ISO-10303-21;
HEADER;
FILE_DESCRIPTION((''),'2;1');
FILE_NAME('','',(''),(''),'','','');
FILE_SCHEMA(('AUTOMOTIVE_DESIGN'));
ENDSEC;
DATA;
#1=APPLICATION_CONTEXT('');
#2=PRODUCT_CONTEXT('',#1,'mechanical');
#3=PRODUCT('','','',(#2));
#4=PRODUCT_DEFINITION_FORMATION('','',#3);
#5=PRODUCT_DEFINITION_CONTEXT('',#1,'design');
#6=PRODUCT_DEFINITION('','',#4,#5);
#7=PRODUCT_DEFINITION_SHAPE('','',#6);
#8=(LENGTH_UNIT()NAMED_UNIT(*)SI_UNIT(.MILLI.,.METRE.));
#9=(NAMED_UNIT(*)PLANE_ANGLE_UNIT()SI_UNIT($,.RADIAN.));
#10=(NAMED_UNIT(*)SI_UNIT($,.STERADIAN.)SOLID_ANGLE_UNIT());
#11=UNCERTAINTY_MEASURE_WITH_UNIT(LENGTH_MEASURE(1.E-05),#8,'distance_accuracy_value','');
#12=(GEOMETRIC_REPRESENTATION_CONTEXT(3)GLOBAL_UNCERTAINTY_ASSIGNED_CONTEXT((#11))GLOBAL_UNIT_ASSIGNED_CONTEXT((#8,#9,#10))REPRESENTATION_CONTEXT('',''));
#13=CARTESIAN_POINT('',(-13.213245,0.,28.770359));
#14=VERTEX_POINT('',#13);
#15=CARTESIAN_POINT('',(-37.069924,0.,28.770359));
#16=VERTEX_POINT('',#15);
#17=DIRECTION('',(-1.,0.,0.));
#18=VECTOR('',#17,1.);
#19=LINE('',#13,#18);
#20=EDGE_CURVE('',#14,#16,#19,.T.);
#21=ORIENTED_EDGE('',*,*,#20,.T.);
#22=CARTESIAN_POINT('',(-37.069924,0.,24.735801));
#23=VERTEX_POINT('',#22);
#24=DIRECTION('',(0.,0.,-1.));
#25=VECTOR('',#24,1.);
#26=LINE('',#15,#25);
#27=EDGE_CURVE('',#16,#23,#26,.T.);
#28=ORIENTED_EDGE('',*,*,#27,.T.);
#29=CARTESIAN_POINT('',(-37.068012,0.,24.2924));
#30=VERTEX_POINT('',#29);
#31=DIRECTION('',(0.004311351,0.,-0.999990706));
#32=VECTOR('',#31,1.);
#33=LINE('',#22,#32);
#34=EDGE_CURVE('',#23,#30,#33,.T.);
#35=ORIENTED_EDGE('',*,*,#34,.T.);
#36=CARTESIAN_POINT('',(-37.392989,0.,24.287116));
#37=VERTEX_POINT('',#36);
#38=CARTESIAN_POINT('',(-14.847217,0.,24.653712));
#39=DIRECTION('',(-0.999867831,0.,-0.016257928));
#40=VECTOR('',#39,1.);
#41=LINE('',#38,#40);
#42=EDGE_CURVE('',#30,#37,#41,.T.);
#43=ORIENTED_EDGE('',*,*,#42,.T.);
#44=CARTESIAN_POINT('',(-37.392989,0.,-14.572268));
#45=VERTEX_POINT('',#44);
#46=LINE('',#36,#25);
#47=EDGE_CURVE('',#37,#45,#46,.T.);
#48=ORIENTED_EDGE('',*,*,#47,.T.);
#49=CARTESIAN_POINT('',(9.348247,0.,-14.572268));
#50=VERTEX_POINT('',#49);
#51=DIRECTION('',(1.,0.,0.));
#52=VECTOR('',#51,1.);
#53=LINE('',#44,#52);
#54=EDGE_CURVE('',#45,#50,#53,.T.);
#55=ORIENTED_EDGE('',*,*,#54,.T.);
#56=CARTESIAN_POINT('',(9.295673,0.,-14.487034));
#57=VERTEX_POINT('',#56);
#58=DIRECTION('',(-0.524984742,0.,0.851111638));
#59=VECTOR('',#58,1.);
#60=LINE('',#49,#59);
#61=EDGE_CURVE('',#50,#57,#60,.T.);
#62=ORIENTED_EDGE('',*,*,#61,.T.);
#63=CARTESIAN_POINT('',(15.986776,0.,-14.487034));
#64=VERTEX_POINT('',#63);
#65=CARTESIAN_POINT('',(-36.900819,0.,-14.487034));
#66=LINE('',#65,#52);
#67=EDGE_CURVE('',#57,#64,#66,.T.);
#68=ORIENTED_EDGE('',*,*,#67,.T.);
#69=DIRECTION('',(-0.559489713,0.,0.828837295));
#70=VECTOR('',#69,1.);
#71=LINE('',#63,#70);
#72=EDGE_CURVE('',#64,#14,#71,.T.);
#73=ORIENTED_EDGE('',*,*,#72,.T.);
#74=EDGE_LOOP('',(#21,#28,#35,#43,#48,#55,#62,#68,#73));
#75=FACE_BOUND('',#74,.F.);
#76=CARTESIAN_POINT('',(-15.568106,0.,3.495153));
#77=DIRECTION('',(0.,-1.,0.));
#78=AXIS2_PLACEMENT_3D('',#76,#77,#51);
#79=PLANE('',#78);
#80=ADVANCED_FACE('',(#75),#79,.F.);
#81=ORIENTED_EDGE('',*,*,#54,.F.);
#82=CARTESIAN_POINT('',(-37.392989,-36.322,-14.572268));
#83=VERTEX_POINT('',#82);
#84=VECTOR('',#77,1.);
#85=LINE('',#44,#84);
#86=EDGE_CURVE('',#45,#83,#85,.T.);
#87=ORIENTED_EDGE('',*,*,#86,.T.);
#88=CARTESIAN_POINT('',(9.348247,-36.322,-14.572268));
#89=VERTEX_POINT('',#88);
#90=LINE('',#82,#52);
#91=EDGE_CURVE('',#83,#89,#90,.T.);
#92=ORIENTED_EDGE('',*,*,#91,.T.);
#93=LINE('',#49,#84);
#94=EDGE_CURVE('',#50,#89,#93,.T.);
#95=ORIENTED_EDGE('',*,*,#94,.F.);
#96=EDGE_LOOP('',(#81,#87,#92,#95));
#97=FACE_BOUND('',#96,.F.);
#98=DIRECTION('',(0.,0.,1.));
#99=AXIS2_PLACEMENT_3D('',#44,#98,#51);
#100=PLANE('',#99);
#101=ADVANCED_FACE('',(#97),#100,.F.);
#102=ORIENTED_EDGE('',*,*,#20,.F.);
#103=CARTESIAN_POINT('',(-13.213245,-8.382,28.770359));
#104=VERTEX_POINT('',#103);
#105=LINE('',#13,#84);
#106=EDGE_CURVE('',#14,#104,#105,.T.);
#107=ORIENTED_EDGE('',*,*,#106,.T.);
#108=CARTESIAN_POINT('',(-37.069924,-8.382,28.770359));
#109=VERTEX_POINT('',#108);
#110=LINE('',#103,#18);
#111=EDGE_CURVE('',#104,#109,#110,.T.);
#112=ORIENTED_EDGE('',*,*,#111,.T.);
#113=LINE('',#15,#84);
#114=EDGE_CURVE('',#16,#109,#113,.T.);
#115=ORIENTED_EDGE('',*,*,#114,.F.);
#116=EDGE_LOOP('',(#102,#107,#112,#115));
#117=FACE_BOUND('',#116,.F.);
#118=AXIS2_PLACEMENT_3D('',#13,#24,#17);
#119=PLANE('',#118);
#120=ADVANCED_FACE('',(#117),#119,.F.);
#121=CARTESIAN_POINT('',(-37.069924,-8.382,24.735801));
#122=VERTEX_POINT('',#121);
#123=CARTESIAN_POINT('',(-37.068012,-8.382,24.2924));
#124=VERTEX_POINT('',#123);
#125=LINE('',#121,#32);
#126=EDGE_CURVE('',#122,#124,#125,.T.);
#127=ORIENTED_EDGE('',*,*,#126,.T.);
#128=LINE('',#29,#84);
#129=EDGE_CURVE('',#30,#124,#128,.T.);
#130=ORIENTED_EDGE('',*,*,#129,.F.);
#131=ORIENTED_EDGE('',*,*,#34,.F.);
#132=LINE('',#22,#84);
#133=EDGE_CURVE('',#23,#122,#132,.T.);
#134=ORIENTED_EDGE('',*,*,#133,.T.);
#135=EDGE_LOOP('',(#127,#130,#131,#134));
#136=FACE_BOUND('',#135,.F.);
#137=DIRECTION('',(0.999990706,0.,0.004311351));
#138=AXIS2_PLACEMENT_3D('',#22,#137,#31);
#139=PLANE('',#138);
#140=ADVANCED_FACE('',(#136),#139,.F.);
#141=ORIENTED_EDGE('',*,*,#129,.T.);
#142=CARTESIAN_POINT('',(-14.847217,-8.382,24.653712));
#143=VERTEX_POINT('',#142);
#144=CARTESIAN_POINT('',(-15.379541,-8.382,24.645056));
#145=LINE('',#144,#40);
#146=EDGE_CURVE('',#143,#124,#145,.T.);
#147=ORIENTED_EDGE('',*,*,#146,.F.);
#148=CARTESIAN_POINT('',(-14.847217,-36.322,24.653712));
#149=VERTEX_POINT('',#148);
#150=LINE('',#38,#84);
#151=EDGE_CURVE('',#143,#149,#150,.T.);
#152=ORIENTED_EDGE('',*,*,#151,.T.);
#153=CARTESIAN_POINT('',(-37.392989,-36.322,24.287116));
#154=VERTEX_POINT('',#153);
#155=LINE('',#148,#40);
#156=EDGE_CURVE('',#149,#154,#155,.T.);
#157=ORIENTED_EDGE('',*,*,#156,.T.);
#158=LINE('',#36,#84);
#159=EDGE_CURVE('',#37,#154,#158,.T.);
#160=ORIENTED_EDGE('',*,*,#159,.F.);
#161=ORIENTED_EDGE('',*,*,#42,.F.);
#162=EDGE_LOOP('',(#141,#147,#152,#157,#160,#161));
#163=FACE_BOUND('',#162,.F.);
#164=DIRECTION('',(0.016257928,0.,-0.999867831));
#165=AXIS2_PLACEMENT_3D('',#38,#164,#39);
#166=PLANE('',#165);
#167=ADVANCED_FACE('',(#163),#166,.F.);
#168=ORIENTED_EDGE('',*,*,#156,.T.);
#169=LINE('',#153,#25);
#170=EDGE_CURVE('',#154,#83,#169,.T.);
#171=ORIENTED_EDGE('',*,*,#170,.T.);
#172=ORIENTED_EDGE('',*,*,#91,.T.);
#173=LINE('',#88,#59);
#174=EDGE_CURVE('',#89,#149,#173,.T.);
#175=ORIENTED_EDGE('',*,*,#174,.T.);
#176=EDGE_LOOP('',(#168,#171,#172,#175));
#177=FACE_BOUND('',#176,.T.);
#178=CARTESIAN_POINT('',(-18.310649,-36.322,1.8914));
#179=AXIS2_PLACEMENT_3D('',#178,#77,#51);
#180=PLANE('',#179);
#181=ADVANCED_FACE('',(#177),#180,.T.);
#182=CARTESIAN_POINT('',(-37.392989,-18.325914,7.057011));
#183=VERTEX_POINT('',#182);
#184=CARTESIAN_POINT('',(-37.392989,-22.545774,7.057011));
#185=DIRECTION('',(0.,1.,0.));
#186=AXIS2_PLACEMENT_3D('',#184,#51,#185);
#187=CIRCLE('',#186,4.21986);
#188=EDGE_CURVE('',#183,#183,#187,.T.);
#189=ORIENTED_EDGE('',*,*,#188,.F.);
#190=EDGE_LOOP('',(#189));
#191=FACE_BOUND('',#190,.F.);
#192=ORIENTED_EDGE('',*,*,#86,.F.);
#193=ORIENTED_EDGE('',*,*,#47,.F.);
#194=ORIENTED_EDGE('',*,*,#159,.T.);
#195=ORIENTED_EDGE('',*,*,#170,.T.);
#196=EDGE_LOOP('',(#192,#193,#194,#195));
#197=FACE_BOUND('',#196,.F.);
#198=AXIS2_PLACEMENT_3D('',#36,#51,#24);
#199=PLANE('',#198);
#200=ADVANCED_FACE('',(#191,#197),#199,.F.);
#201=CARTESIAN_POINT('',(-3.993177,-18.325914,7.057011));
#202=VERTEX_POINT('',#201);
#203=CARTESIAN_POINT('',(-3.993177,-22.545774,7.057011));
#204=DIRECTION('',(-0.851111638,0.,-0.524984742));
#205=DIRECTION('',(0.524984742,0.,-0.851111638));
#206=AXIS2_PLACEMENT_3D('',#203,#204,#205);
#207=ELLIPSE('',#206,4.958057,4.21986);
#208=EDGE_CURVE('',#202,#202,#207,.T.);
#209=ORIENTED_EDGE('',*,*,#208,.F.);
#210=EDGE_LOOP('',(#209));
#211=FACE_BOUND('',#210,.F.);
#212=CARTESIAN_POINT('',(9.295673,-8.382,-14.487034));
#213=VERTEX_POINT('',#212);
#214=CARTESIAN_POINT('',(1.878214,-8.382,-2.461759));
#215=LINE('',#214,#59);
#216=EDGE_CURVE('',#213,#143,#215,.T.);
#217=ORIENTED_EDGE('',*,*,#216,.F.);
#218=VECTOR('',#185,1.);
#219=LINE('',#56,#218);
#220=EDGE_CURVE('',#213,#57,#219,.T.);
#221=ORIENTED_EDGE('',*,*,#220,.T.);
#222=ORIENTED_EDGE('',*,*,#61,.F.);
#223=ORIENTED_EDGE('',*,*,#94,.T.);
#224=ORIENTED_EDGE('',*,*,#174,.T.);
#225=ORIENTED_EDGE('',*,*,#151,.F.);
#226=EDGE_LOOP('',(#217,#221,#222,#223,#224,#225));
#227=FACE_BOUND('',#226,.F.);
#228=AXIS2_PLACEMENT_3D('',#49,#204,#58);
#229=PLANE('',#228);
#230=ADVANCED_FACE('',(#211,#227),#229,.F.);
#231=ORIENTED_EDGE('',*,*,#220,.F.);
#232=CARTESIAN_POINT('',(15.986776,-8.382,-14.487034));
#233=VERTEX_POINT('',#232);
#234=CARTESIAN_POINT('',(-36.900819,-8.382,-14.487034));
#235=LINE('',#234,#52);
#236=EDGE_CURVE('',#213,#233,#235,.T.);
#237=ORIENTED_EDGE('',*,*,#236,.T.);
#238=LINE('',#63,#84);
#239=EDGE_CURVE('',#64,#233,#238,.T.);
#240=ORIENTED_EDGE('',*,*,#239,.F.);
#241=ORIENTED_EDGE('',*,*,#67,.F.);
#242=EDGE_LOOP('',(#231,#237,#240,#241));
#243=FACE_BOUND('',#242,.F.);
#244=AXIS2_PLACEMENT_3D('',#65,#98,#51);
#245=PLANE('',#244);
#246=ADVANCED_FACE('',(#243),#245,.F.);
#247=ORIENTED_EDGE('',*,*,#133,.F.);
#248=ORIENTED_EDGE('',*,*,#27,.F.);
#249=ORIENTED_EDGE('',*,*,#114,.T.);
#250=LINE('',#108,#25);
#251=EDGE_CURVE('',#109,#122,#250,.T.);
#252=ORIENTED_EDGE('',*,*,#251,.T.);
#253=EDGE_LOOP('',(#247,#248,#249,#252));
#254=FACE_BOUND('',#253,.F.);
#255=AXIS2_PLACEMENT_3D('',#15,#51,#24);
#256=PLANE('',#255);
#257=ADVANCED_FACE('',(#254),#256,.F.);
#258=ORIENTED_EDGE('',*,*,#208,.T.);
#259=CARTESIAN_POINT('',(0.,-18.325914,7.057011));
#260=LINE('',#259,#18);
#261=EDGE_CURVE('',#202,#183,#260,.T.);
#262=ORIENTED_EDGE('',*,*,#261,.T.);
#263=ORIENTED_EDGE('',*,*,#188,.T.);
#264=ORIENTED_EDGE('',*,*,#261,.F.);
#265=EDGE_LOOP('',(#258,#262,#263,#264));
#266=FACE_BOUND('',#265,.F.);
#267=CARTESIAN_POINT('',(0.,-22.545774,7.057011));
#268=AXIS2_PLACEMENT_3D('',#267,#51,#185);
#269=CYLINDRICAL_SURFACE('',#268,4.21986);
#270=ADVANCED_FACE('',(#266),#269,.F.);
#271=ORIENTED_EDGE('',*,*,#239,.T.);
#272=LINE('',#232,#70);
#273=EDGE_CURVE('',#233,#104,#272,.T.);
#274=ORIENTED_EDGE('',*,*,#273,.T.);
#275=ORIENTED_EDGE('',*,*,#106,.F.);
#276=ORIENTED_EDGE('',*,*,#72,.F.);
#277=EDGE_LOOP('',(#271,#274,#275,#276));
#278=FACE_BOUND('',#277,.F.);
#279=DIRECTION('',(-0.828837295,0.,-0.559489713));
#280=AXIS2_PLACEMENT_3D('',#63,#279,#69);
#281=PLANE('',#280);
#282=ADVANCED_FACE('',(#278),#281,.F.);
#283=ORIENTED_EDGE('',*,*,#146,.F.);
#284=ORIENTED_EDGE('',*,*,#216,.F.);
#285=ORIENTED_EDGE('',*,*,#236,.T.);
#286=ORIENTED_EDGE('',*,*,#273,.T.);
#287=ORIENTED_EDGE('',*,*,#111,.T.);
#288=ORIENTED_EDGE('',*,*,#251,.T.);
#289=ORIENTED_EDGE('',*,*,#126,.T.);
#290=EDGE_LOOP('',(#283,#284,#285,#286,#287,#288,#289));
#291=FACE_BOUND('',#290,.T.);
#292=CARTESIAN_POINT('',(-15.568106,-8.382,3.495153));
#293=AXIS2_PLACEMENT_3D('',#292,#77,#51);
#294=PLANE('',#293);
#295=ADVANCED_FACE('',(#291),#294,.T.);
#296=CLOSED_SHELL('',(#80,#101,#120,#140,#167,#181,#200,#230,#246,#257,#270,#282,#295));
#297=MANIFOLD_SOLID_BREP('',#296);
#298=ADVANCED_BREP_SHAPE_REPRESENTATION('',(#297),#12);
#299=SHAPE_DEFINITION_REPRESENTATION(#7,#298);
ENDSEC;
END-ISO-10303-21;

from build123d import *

# Parameters (mm, degrees)
F1_DEPTH = 36.322
F3_DEPTH = 8.382
F4_R     = 4.21986
F5_DEPTH = 46.736


with BuildPart() as f1:
    # F0 (on Front) → F1 (new body)
    with BuildSketch(Plane.XZ):
        Polygon((-14.847217, 24.653712), (-37.392989, 24.287116), (-37.392989, -14.572268), (9.348247, -14.572268), align=None)
    extrude(amount=F1_DEPTH)

    # F2 (on Front) → F3 (join)
    with BuildSketch(Plane.XZ):
        Polygon((-37.069924, 28.770359), (-37.069924, 24.735801), (-36.900819, -14.487034), (9.12904, -14.487034), (15.986776, -14.487034), (-13.213245, 28.770359), align=None)
    extrude(amount=F3_DEPTH)

    # F4 (on Right) → F5 (cut)
    with BuildSketch(Plane.YZ):
        with Locations((-22.545774, 7.057011)):
            Circle(F4_R)
    extrude(amount=-F5_DEPTH, mode=Mode.SUBTRACT)


solid = f1.part
